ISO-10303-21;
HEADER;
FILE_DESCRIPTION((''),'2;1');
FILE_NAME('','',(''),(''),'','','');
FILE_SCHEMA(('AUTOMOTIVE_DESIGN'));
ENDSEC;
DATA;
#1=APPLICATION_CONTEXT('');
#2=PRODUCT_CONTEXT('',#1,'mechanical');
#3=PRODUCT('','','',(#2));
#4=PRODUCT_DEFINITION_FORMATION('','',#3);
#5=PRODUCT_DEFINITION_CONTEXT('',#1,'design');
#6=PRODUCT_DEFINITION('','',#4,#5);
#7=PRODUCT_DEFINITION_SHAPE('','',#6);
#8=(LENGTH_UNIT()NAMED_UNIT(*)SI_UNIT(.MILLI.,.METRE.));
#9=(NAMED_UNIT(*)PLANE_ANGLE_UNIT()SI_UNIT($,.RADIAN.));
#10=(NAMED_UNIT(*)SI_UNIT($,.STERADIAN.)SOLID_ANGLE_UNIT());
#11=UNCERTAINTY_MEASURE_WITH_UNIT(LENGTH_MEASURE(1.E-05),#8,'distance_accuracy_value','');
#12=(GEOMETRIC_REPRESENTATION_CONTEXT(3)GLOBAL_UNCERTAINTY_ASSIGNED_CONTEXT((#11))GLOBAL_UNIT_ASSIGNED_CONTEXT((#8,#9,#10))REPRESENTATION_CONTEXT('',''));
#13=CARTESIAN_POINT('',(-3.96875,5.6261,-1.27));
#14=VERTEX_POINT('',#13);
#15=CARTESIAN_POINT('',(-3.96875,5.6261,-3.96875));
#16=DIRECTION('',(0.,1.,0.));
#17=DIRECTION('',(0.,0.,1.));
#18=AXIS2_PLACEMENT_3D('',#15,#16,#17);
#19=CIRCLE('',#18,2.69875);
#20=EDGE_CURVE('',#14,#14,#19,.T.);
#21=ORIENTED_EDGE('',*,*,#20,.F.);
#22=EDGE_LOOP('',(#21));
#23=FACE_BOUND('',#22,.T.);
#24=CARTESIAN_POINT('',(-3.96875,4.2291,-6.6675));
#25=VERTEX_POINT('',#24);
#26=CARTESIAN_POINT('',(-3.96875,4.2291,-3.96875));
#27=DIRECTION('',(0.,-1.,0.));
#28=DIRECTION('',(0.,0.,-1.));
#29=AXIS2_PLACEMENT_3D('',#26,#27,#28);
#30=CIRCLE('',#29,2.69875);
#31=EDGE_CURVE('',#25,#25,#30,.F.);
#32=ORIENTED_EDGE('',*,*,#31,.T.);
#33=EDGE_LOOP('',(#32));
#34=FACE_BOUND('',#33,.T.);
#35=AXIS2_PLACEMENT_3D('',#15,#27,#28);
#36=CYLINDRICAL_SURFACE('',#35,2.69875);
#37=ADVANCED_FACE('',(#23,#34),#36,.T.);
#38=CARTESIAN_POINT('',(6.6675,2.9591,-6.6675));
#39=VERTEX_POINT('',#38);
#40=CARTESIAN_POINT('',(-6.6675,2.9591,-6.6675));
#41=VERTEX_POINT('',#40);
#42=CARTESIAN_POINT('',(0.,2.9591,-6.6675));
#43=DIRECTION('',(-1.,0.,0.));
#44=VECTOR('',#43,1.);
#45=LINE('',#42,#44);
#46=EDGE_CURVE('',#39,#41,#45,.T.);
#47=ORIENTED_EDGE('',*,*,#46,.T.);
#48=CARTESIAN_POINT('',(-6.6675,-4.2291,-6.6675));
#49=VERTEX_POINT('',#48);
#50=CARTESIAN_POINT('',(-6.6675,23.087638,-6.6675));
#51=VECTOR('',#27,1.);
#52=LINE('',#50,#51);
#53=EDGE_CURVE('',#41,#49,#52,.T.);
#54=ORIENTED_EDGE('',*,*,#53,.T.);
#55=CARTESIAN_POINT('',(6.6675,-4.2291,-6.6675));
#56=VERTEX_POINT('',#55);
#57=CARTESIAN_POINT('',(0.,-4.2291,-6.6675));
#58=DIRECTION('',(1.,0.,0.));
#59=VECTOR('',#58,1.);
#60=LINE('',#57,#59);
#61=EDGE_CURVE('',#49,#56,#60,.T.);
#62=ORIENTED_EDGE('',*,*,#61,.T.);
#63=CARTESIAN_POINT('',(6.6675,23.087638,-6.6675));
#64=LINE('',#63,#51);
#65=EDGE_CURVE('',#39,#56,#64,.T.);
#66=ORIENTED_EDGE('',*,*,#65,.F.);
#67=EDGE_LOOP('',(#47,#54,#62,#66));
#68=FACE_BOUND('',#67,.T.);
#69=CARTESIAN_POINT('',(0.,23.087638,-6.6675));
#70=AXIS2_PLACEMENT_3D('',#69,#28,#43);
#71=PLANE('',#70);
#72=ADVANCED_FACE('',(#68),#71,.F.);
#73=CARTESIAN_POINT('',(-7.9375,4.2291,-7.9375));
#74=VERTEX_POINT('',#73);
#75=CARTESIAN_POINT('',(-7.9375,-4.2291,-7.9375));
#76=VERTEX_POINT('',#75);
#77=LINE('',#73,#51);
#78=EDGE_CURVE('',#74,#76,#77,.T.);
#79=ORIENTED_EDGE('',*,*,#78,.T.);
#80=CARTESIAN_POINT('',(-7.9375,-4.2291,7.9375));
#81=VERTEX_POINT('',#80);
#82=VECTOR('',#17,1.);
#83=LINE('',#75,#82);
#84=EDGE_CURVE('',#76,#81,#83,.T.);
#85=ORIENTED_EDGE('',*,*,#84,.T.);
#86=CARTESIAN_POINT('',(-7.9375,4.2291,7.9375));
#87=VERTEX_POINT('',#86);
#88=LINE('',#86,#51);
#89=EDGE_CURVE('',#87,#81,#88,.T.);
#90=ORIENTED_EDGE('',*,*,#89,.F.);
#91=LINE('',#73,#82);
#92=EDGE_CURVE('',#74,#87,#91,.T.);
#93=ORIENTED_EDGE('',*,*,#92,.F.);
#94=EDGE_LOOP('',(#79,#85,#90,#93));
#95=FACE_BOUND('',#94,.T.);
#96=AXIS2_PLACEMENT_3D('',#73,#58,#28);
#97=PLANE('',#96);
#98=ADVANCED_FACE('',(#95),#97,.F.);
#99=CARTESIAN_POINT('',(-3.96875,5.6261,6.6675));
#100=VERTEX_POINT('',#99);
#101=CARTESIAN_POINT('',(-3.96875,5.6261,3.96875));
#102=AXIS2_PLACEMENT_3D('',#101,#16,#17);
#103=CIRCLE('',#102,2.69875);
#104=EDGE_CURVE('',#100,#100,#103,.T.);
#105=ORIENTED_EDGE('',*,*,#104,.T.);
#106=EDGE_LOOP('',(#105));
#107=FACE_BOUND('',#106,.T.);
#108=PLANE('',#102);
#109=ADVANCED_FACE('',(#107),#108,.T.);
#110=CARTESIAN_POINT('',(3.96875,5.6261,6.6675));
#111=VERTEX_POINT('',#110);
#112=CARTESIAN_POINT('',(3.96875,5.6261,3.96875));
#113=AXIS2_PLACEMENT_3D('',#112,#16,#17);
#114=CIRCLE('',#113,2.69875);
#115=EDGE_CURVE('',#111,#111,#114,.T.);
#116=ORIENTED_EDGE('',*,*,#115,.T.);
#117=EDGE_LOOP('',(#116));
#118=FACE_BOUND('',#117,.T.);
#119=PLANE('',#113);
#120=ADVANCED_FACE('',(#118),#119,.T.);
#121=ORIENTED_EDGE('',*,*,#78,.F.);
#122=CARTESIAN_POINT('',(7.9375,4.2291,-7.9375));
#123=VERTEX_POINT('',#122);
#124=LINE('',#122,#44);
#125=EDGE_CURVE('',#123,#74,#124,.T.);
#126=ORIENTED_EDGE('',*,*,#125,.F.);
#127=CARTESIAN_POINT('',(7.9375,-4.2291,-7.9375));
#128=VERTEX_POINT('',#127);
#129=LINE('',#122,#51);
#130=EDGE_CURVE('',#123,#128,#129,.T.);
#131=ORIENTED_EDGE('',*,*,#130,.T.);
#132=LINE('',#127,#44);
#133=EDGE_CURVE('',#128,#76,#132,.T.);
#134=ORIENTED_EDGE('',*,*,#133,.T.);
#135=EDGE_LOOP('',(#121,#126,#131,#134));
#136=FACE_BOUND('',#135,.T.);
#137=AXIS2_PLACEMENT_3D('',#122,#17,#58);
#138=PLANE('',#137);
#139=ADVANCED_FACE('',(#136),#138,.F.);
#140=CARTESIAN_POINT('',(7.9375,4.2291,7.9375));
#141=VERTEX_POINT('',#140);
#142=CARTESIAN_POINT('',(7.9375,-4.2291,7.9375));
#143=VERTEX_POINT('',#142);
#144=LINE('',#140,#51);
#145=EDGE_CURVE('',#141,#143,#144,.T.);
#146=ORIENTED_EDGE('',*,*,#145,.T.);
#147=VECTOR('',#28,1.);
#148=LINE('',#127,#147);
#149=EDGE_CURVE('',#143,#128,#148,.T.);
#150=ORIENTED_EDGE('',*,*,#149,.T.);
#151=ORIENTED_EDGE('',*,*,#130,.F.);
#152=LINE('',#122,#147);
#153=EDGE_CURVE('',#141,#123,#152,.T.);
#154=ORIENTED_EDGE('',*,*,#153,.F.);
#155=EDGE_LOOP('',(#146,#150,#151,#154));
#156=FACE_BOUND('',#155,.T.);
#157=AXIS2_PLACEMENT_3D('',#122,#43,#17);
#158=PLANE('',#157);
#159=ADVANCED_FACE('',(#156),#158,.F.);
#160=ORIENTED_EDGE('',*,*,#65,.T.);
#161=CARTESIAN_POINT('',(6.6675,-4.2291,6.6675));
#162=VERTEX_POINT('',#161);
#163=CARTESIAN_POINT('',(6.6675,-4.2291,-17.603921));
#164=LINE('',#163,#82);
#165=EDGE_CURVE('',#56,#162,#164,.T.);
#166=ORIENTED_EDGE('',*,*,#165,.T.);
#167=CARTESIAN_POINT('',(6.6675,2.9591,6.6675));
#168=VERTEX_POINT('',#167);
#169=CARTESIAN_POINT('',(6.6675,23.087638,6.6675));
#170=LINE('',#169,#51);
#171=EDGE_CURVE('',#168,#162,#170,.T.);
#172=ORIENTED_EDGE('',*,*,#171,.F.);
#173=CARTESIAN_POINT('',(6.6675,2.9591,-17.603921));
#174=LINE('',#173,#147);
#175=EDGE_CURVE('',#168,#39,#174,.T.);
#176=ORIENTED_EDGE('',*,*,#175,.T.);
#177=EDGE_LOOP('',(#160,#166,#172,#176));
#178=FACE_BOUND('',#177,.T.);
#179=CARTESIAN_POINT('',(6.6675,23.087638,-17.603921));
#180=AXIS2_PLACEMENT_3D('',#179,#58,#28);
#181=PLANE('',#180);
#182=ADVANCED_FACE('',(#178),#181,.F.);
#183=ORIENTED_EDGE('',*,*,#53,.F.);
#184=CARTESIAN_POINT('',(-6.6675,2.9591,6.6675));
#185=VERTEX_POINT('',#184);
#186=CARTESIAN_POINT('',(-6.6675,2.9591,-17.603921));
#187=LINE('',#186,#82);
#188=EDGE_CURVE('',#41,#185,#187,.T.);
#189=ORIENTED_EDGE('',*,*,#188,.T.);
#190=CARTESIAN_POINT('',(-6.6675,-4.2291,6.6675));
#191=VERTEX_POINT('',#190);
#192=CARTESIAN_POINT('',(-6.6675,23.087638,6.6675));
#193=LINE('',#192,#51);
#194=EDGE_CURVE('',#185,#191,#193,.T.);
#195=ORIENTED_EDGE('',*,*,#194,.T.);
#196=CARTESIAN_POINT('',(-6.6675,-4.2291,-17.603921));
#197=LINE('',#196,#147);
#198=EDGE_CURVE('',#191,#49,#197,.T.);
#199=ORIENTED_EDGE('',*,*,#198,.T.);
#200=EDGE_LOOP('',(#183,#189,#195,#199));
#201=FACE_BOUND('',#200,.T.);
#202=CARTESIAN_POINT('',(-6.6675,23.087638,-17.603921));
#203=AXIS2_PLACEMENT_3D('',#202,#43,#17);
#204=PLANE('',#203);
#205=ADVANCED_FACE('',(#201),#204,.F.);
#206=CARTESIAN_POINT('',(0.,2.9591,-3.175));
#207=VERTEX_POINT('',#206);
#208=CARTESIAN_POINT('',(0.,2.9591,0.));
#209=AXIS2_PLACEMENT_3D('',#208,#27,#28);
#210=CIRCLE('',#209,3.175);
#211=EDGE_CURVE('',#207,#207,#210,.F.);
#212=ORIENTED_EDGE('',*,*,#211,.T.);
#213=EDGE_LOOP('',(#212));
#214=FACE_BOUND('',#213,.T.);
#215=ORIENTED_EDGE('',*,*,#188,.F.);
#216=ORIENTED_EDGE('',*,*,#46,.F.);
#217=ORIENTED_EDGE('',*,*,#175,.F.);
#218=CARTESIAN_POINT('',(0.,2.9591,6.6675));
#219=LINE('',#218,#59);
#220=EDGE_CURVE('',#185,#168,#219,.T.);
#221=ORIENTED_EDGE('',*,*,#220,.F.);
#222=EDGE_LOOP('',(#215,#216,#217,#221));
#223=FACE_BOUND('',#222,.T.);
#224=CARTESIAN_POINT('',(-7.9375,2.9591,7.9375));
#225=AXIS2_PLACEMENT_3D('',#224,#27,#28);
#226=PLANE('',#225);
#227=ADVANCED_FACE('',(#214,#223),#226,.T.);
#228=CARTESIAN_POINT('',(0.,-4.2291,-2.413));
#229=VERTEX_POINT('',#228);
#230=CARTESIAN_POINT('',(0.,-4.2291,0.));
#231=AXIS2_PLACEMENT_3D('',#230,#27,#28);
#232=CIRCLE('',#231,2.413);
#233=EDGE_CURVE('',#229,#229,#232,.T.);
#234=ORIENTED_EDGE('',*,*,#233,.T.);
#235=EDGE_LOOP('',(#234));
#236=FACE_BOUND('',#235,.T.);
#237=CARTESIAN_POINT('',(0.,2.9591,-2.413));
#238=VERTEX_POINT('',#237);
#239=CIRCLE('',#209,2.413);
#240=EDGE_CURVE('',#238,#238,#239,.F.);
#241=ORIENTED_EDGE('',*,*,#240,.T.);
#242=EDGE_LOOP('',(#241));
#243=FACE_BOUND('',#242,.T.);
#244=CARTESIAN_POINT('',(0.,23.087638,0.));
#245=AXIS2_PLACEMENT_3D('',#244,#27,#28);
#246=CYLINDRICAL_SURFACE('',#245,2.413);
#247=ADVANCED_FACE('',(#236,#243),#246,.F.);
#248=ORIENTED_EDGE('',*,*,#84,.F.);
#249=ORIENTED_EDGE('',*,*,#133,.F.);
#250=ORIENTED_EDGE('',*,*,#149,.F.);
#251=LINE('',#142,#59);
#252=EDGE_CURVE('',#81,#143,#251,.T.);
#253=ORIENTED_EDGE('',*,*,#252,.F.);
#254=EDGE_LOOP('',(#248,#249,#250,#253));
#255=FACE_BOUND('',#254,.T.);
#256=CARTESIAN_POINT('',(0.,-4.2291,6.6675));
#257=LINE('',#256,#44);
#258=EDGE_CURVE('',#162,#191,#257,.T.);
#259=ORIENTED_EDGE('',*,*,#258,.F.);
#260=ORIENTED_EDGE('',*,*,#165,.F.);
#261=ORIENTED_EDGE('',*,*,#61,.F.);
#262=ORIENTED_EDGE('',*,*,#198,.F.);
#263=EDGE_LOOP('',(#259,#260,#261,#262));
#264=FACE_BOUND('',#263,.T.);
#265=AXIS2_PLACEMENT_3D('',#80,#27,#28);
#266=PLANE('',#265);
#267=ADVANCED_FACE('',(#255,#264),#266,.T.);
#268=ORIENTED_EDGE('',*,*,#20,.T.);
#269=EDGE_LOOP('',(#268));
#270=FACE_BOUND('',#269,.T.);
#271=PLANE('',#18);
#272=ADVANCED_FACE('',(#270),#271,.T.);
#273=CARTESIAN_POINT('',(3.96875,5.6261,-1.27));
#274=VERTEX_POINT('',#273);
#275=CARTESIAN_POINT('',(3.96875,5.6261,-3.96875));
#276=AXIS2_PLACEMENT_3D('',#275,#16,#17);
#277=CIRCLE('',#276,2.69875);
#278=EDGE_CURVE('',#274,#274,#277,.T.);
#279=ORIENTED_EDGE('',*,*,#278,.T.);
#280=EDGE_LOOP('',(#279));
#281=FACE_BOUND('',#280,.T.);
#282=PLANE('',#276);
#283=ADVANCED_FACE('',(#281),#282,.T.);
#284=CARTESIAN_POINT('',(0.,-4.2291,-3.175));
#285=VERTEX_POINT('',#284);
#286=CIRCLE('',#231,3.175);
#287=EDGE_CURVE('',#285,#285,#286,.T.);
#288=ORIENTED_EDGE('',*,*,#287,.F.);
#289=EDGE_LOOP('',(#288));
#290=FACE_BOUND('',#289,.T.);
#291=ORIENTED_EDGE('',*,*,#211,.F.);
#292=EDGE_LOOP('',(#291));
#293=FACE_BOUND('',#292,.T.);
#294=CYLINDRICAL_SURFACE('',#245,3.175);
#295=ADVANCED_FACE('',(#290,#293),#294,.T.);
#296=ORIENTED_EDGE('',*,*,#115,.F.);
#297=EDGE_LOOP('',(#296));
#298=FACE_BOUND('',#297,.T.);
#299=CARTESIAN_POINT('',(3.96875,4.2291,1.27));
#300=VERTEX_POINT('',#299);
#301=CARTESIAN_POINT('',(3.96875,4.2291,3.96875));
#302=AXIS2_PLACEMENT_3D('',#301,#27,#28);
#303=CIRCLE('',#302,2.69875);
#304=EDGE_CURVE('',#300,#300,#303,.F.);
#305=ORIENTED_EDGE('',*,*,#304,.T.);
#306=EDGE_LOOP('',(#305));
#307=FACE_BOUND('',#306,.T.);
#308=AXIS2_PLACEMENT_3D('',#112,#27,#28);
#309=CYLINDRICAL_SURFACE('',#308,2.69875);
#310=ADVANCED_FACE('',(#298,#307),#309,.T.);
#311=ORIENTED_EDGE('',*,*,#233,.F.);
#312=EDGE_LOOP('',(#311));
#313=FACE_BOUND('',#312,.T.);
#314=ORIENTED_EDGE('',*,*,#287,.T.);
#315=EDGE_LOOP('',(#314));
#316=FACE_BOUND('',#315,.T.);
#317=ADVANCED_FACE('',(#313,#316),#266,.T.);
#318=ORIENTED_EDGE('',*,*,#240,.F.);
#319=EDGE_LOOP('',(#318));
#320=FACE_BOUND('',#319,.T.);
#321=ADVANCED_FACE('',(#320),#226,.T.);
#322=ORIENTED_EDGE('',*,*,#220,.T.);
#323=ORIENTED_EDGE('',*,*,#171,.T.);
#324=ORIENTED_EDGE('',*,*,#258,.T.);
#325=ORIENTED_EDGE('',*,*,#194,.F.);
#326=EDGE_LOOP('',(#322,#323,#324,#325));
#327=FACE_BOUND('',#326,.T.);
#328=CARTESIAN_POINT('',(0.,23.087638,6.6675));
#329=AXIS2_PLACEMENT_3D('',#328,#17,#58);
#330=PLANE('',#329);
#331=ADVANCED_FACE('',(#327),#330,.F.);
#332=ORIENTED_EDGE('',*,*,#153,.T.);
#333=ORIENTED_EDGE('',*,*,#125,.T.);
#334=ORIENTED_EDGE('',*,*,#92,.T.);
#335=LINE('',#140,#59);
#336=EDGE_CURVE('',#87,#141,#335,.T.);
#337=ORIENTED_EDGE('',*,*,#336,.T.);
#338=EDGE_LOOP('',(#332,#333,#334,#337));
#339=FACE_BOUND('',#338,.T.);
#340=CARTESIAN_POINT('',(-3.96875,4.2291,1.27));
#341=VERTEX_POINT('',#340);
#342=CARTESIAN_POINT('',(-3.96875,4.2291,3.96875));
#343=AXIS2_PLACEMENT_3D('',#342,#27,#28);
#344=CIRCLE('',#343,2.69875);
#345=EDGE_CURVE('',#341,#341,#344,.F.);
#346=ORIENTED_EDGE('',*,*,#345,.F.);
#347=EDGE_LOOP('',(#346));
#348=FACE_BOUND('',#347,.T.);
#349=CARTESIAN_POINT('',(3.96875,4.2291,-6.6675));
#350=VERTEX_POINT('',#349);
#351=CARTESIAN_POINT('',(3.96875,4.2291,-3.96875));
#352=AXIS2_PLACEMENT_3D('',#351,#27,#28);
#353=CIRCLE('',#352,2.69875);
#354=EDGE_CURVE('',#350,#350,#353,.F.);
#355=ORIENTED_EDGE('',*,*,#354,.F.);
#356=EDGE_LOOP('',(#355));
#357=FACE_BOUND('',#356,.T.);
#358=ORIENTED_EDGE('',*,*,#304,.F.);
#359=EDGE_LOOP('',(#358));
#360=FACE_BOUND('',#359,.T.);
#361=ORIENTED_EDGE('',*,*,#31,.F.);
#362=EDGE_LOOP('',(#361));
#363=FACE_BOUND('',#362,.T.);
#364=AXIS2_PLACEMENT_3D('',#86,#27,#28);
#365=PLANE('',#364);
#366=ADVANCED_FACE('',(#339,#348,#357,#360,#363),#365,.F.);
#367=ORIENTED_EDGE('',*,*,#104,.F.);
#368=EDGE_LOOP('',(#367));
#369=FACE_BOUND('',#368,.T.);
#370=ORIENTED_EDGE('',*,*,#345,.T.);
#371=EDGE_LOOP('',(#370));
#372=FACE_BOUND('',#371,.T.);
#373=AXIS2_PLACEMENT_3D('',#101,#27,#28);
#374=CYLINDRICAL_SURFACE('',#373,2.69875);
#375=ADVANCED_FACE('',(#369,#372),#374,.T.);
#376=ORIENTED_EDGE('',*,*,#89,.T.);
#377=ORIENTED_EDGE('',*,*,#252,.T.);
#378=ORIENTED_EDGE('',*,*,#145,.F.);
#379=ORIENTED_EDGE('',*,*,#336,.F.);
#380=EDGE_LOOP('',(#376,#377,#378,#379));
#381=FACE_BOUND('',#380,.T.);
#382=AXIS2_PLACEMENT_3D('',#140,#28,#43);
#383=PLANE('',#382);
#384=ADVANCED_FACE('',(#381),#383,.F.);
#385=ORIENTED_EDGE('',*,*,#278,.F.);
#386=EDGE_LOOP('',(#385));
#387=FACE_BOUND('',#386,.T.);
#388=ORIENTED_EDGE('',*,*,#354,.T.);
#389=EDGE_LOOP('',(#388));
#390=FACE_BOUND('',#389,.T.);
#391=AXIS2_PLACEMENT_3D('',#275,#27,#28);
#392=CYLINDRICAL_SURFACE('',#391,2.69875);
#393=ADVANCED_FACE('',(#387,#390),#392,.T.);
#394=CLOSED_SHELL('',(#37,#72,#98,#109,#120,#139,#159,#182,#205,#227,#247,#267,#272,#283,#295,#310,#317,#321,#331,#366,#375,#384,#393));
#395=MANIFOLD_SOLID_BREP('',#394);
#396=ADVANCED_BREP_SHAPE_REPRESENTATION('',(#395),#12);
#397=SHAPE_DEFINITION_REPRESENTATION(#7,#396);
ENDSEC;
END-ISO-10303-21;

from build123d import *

# Parameters (mm, degrees)
SKETCH1_W            = 15.875
SKETCH1_H            = 15.875
BOSS_EXTRUDE1_DEPTH  = 4.2291
SKETCH2_W            = 13.335
SKETCH2_H            = 13.335
SKETCH2_R            = 3.175
SKETCH2_R_2          = 2.413
CUT_EXTRUDE1_DEPTH   = 7.1882
SKETCH3_R            = 2.69875
BOSS_EXTRUDE2_DEPTH  = 1.397
LPATTERN1_COUNT      = 2
LPATTERN1_PITCH      = 7.9375
LPATTERN1_COUNT_DIR2 = 2
LPATTERN1_PITCH_DIR2 = 7.9375


with BuildPart() as part:
    # Sketch1 → Boss-Extrude1 (new body, symmetric)
    with BuildSketch(Plane(origin=(0, 0, 0), x_dir=(1, 0, 0), z_dir=(0, 1, 0))):
        Rectangle(SKETCH1_W, SKETCH1_H)
    extrude(amount=BOSS_EXTRUDE1_DEPTH, both=True)

    # Sketch2 → Cut-Extrude1 (cut)
    with BuildSketch(Plane.XZ.offset(4.2291)):
        Rectangle(SKETCH2_W, SKETCH2_H)
        Circle(SKETCH2_R, mode=Mode.SUBTRACT)
        Circle(SKETCH2_R_2)
    extrude(amount=-CUT_EXTRUDE1_DEPTH, mode=Mode.SUBTRACT)

    # Sketch3 → Boss-Extrude2 (add)
    with BuildSketch(Plane(origin=(0, 4.2291, 0), x_dir=(1, 0, 0), z_dir=(0, 1, 0))):
        with Locations((3.96875, -3.96875)):
            Circle(SKETCH3_R)
    boss_extrude2 = extrude(amount=BOSS_EXTRUDE2_DEPTH)

    # LPattern1: Boss-Extrude2 2 × 2
    with Locations(*[(-i * LPATTERN1_PITCH, 0, -j * LPATTERN1_PITCH_DIR2) for i in range(LPATTERN1_COUNT) for j in range(LPATTERN1_COUNT_DIR2) if (i, j) != (0, 0)]):
        add(boss_extrude2)


solid = part.part
